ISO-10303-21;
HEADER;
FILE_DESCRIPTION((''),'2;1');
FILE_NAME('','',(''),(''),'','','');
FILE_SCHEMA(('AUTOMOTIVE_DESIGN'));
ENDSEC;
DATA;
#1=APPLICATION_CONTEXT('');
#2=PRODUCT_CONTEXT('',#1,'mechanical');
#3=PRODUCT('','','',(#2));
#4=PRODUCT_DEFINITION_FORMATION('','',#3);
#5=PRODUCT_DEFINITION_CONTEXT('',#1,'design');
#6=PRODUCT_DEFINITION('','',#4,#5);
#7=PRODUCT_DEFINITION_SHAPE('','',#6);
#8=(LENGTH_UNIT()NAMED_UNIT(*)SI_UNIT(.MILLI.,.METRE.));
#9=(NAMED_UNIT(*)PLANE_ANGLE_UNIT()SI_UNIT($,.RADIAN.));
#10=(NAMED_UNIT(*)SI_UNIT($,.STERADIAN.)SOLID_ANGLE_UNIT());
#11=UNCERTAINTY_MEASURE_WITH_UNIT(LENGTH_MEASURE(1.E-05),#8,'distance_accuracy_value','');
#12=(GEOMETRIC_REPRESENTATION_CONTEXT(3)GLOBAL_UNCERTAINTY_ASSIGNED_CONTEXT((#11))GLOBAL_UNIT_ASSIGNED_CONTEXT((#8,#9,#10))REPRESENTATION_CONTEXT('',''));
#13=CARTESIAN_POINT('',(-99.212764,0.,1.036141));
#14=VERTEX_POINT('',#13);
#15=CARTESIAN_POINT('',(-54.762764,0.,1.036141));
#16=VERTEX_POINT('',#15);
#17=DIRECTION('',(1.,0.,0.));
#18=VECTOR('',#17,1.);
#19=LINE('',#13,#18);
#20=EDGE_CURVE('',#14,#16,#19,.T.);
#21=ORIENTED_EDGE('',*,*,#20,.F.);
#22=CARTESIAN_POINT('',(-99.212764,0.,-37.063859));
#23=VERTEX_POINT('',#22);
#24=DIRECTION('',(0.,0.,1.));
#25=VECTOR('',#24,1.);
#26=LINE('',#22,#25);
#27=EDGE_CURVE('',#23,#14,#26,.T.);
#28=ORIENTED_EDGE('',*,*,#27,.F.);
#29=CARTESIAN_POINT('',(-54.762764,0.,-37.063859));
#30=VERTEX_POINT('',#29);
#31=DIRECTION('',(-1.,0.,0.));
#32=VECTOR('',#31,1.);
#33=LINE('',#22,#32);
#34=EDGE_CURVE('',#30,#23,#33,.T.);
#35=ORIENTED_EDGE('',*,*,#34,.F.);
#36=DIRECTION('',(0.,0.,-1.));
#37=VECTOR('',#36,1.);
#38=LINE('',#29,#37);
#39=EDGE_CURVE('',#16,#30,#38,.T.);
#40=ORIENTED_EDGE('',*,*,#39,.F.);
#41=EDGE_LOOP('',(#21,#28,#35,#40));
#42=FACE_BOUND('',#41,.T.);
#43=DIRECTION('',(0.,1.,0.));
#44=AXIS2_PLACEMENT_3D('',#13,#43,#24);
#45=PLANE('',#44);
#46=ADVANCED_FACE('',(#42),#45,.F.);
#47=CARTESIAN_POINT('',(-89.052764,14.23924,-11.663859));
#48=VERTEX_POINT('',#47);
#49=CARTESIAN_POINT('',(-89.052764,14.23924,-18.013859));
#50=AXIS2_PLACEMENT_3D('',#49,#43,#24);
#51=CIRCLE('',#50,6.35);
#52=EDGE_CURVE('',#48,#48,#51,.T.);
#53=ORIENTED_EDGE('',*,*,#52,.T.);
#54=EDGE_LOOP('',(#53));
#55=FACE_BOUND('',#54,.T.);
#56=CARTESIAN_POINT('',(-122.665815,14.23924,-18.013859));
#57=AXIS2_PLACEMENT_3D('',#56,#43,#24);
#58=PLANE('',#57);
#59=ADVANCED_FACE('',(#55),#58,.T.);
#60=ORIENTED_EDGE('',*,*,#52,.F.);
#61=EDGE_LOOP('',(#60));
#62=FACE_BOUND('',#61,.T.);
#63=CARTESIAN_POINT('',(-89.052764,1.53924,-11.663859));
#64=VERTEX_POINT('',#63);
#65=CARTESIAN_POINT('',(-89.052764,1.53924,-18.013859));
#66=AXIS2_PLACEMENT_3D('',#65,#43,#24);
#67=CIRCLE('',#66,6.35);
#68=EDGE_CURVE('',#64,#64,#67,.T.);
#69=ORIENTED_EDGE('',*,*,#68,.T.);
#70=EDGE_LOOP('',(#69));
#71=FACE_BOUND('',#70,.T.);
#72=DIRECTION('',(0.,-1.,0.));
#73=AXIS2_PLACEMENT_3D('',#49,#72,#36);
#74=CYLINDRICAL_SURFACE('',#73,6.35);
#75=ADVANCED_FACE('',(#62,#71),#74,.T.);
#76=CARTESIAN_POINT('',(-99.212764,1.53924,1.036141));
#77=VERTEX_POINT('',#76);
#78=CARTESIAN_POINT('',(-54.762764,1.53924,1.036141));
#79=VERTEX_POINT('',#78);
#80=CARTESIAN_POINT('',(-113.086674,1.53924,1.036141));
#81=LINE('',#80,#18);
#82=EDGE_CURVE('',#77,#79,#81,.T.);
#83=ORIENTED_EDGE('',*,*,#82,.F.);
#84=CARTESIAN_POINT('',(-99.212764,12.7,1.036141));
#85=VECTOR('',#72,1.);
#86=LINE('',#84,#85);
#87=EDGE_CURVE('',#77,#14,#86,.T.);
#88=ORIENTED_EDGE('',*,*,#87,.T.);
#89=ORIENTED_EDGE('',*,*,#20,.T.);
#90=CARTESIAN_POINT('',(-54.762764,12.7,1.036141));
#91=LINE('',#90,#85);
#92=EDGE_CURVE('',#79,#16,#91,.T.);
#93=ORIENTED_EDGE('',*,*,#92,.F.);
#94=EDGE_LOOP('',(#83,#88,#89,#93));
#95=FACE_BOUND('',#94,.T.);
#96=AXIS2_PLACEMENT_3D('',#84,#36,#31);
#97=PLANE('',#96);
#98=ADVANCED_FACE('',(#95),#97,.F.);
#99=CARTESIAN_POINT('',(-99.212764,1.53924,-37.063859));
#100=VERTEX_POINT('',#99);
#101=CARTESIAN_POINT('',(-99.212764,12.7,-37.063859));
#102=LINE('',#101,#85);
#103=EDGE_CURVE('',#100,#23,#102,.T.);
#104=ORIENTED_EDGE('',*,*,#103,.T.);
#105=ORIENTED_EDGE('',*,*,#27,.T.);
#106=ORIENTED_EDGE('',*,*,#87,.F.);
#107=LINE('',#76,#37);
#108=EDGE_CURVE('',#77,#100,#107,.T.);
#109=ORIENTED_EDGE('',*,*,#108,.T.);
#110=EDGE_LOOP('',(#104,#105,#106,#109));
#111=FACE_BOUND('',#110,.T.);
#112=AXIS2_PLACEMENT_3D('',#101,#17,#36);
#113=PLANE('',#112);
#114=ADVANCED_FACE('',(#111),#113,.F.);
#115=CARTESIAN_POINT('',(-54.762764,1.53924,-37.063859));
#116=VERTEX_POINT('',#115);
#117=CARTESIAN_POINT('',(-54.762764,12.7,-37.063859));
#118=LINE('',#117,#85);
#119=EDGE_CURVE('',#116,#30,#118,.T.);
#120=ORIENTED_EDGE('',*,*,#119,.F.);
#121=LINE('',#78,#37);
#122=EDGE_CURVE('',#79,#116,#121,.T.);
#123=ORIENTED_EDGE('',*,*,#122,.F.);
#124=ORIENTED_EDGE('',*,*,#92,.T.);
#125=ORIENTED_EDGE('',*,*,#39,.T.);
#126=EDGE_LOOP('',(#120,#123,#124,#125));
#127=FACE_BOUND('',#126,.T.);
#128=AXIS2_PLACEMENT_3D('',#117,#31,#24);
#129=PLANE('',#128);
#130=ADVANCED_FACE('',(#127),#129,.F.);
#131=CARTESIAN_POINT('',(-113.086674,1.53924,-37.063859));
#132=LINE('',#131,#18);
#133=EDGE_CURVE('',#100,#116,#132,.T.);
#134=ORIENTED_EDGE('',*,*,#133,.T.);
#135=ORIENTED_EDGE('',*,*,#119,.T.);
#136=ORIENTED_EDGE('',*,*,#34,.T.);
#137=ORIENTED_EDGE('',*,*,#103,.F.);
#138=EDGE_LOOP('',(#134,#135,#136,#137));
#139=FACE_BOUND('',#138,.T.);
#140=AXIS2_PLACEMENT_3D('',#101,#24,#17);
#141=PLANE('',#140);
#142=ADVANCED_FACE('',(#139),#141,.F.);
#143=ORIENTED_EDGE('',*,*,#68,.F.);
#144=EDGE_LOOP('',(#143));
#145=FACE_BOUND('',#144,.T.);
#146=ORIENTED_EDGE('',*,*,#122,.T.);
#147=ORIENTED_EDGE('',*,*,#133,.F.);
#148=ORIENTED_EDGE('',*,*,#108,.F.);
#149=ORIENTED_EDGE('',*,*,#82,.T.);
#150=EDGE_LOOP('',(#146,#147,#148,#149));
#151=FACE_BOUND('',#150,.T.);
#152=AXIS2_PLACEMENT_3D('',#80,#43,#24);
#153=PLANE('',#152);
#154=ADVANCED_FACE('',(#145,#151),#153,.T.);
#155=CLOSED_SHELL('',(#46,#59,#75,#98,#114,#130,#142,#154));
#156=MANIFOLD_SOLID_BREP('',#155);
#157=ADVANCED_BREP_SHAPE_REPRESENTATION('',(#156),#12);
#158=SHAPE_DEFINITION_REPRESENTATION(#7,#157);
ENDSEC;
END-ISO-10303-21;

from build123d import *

# Parameters (mm, degrees)
SKETCH1_W           = 44.45
SKETCH1_H           = 38.1
BOSS_EXTRUDE1_DEPTH = 12.7
SKETCH4_W           = 44.45
SKETCH4_H           = 11.16076
CUT_EXTRUDE1_DEPTH  = 108.033044593
SKETCH5_R           = 6.35
BOSS_EXTRUDE2_DEPTH = 12.7


with BuildPart() as part:
    # Sketch1 → Boss-Extrude1 (new body)
    with BuildSketch(Plane(origin=(0, 0, 0), x_dir=(1, 0, 0), z_dir=(0, 1, 0))):
        with Locations((-76.987764476, 18.013859456)):
            Rectangle(SKETCH1_W, SKETCH1_H)
    extrude(amount=BOSS_EXTRUDE1_DEPTH)

    # Sketch4 → Cut-Extrude1 (cut, through all)
    with BuildSketch(Plane(origin=(0, 0, -37.063859456), x_dir=(-1, 0, 0), z_dir=(0, 0, -1))):
        with Locations((76.987764476, 7.11962)):
            Rectangle(SKETCH4_W, SKETCH4_H)
    extrude(amount=-CUT_EXTRUDE1_DEPTH, mode=Mode.SUBTRACT)

    # Sketch5 → Boss-Extrude2 (add)
    with BuildSketch(Plane(origin=(0, 1.53924, 0), x_dir=(1, 0, 0), z_dir=(0, 1, 0))):
        with Locations(Location((-89.052764476, 18.013859456, 0), (0, 0, 270))):
            Circle(SKETCH5_R)
    extrude(amount=BOSS_EXTRUDE2_DEPTH)


solid = part.part
